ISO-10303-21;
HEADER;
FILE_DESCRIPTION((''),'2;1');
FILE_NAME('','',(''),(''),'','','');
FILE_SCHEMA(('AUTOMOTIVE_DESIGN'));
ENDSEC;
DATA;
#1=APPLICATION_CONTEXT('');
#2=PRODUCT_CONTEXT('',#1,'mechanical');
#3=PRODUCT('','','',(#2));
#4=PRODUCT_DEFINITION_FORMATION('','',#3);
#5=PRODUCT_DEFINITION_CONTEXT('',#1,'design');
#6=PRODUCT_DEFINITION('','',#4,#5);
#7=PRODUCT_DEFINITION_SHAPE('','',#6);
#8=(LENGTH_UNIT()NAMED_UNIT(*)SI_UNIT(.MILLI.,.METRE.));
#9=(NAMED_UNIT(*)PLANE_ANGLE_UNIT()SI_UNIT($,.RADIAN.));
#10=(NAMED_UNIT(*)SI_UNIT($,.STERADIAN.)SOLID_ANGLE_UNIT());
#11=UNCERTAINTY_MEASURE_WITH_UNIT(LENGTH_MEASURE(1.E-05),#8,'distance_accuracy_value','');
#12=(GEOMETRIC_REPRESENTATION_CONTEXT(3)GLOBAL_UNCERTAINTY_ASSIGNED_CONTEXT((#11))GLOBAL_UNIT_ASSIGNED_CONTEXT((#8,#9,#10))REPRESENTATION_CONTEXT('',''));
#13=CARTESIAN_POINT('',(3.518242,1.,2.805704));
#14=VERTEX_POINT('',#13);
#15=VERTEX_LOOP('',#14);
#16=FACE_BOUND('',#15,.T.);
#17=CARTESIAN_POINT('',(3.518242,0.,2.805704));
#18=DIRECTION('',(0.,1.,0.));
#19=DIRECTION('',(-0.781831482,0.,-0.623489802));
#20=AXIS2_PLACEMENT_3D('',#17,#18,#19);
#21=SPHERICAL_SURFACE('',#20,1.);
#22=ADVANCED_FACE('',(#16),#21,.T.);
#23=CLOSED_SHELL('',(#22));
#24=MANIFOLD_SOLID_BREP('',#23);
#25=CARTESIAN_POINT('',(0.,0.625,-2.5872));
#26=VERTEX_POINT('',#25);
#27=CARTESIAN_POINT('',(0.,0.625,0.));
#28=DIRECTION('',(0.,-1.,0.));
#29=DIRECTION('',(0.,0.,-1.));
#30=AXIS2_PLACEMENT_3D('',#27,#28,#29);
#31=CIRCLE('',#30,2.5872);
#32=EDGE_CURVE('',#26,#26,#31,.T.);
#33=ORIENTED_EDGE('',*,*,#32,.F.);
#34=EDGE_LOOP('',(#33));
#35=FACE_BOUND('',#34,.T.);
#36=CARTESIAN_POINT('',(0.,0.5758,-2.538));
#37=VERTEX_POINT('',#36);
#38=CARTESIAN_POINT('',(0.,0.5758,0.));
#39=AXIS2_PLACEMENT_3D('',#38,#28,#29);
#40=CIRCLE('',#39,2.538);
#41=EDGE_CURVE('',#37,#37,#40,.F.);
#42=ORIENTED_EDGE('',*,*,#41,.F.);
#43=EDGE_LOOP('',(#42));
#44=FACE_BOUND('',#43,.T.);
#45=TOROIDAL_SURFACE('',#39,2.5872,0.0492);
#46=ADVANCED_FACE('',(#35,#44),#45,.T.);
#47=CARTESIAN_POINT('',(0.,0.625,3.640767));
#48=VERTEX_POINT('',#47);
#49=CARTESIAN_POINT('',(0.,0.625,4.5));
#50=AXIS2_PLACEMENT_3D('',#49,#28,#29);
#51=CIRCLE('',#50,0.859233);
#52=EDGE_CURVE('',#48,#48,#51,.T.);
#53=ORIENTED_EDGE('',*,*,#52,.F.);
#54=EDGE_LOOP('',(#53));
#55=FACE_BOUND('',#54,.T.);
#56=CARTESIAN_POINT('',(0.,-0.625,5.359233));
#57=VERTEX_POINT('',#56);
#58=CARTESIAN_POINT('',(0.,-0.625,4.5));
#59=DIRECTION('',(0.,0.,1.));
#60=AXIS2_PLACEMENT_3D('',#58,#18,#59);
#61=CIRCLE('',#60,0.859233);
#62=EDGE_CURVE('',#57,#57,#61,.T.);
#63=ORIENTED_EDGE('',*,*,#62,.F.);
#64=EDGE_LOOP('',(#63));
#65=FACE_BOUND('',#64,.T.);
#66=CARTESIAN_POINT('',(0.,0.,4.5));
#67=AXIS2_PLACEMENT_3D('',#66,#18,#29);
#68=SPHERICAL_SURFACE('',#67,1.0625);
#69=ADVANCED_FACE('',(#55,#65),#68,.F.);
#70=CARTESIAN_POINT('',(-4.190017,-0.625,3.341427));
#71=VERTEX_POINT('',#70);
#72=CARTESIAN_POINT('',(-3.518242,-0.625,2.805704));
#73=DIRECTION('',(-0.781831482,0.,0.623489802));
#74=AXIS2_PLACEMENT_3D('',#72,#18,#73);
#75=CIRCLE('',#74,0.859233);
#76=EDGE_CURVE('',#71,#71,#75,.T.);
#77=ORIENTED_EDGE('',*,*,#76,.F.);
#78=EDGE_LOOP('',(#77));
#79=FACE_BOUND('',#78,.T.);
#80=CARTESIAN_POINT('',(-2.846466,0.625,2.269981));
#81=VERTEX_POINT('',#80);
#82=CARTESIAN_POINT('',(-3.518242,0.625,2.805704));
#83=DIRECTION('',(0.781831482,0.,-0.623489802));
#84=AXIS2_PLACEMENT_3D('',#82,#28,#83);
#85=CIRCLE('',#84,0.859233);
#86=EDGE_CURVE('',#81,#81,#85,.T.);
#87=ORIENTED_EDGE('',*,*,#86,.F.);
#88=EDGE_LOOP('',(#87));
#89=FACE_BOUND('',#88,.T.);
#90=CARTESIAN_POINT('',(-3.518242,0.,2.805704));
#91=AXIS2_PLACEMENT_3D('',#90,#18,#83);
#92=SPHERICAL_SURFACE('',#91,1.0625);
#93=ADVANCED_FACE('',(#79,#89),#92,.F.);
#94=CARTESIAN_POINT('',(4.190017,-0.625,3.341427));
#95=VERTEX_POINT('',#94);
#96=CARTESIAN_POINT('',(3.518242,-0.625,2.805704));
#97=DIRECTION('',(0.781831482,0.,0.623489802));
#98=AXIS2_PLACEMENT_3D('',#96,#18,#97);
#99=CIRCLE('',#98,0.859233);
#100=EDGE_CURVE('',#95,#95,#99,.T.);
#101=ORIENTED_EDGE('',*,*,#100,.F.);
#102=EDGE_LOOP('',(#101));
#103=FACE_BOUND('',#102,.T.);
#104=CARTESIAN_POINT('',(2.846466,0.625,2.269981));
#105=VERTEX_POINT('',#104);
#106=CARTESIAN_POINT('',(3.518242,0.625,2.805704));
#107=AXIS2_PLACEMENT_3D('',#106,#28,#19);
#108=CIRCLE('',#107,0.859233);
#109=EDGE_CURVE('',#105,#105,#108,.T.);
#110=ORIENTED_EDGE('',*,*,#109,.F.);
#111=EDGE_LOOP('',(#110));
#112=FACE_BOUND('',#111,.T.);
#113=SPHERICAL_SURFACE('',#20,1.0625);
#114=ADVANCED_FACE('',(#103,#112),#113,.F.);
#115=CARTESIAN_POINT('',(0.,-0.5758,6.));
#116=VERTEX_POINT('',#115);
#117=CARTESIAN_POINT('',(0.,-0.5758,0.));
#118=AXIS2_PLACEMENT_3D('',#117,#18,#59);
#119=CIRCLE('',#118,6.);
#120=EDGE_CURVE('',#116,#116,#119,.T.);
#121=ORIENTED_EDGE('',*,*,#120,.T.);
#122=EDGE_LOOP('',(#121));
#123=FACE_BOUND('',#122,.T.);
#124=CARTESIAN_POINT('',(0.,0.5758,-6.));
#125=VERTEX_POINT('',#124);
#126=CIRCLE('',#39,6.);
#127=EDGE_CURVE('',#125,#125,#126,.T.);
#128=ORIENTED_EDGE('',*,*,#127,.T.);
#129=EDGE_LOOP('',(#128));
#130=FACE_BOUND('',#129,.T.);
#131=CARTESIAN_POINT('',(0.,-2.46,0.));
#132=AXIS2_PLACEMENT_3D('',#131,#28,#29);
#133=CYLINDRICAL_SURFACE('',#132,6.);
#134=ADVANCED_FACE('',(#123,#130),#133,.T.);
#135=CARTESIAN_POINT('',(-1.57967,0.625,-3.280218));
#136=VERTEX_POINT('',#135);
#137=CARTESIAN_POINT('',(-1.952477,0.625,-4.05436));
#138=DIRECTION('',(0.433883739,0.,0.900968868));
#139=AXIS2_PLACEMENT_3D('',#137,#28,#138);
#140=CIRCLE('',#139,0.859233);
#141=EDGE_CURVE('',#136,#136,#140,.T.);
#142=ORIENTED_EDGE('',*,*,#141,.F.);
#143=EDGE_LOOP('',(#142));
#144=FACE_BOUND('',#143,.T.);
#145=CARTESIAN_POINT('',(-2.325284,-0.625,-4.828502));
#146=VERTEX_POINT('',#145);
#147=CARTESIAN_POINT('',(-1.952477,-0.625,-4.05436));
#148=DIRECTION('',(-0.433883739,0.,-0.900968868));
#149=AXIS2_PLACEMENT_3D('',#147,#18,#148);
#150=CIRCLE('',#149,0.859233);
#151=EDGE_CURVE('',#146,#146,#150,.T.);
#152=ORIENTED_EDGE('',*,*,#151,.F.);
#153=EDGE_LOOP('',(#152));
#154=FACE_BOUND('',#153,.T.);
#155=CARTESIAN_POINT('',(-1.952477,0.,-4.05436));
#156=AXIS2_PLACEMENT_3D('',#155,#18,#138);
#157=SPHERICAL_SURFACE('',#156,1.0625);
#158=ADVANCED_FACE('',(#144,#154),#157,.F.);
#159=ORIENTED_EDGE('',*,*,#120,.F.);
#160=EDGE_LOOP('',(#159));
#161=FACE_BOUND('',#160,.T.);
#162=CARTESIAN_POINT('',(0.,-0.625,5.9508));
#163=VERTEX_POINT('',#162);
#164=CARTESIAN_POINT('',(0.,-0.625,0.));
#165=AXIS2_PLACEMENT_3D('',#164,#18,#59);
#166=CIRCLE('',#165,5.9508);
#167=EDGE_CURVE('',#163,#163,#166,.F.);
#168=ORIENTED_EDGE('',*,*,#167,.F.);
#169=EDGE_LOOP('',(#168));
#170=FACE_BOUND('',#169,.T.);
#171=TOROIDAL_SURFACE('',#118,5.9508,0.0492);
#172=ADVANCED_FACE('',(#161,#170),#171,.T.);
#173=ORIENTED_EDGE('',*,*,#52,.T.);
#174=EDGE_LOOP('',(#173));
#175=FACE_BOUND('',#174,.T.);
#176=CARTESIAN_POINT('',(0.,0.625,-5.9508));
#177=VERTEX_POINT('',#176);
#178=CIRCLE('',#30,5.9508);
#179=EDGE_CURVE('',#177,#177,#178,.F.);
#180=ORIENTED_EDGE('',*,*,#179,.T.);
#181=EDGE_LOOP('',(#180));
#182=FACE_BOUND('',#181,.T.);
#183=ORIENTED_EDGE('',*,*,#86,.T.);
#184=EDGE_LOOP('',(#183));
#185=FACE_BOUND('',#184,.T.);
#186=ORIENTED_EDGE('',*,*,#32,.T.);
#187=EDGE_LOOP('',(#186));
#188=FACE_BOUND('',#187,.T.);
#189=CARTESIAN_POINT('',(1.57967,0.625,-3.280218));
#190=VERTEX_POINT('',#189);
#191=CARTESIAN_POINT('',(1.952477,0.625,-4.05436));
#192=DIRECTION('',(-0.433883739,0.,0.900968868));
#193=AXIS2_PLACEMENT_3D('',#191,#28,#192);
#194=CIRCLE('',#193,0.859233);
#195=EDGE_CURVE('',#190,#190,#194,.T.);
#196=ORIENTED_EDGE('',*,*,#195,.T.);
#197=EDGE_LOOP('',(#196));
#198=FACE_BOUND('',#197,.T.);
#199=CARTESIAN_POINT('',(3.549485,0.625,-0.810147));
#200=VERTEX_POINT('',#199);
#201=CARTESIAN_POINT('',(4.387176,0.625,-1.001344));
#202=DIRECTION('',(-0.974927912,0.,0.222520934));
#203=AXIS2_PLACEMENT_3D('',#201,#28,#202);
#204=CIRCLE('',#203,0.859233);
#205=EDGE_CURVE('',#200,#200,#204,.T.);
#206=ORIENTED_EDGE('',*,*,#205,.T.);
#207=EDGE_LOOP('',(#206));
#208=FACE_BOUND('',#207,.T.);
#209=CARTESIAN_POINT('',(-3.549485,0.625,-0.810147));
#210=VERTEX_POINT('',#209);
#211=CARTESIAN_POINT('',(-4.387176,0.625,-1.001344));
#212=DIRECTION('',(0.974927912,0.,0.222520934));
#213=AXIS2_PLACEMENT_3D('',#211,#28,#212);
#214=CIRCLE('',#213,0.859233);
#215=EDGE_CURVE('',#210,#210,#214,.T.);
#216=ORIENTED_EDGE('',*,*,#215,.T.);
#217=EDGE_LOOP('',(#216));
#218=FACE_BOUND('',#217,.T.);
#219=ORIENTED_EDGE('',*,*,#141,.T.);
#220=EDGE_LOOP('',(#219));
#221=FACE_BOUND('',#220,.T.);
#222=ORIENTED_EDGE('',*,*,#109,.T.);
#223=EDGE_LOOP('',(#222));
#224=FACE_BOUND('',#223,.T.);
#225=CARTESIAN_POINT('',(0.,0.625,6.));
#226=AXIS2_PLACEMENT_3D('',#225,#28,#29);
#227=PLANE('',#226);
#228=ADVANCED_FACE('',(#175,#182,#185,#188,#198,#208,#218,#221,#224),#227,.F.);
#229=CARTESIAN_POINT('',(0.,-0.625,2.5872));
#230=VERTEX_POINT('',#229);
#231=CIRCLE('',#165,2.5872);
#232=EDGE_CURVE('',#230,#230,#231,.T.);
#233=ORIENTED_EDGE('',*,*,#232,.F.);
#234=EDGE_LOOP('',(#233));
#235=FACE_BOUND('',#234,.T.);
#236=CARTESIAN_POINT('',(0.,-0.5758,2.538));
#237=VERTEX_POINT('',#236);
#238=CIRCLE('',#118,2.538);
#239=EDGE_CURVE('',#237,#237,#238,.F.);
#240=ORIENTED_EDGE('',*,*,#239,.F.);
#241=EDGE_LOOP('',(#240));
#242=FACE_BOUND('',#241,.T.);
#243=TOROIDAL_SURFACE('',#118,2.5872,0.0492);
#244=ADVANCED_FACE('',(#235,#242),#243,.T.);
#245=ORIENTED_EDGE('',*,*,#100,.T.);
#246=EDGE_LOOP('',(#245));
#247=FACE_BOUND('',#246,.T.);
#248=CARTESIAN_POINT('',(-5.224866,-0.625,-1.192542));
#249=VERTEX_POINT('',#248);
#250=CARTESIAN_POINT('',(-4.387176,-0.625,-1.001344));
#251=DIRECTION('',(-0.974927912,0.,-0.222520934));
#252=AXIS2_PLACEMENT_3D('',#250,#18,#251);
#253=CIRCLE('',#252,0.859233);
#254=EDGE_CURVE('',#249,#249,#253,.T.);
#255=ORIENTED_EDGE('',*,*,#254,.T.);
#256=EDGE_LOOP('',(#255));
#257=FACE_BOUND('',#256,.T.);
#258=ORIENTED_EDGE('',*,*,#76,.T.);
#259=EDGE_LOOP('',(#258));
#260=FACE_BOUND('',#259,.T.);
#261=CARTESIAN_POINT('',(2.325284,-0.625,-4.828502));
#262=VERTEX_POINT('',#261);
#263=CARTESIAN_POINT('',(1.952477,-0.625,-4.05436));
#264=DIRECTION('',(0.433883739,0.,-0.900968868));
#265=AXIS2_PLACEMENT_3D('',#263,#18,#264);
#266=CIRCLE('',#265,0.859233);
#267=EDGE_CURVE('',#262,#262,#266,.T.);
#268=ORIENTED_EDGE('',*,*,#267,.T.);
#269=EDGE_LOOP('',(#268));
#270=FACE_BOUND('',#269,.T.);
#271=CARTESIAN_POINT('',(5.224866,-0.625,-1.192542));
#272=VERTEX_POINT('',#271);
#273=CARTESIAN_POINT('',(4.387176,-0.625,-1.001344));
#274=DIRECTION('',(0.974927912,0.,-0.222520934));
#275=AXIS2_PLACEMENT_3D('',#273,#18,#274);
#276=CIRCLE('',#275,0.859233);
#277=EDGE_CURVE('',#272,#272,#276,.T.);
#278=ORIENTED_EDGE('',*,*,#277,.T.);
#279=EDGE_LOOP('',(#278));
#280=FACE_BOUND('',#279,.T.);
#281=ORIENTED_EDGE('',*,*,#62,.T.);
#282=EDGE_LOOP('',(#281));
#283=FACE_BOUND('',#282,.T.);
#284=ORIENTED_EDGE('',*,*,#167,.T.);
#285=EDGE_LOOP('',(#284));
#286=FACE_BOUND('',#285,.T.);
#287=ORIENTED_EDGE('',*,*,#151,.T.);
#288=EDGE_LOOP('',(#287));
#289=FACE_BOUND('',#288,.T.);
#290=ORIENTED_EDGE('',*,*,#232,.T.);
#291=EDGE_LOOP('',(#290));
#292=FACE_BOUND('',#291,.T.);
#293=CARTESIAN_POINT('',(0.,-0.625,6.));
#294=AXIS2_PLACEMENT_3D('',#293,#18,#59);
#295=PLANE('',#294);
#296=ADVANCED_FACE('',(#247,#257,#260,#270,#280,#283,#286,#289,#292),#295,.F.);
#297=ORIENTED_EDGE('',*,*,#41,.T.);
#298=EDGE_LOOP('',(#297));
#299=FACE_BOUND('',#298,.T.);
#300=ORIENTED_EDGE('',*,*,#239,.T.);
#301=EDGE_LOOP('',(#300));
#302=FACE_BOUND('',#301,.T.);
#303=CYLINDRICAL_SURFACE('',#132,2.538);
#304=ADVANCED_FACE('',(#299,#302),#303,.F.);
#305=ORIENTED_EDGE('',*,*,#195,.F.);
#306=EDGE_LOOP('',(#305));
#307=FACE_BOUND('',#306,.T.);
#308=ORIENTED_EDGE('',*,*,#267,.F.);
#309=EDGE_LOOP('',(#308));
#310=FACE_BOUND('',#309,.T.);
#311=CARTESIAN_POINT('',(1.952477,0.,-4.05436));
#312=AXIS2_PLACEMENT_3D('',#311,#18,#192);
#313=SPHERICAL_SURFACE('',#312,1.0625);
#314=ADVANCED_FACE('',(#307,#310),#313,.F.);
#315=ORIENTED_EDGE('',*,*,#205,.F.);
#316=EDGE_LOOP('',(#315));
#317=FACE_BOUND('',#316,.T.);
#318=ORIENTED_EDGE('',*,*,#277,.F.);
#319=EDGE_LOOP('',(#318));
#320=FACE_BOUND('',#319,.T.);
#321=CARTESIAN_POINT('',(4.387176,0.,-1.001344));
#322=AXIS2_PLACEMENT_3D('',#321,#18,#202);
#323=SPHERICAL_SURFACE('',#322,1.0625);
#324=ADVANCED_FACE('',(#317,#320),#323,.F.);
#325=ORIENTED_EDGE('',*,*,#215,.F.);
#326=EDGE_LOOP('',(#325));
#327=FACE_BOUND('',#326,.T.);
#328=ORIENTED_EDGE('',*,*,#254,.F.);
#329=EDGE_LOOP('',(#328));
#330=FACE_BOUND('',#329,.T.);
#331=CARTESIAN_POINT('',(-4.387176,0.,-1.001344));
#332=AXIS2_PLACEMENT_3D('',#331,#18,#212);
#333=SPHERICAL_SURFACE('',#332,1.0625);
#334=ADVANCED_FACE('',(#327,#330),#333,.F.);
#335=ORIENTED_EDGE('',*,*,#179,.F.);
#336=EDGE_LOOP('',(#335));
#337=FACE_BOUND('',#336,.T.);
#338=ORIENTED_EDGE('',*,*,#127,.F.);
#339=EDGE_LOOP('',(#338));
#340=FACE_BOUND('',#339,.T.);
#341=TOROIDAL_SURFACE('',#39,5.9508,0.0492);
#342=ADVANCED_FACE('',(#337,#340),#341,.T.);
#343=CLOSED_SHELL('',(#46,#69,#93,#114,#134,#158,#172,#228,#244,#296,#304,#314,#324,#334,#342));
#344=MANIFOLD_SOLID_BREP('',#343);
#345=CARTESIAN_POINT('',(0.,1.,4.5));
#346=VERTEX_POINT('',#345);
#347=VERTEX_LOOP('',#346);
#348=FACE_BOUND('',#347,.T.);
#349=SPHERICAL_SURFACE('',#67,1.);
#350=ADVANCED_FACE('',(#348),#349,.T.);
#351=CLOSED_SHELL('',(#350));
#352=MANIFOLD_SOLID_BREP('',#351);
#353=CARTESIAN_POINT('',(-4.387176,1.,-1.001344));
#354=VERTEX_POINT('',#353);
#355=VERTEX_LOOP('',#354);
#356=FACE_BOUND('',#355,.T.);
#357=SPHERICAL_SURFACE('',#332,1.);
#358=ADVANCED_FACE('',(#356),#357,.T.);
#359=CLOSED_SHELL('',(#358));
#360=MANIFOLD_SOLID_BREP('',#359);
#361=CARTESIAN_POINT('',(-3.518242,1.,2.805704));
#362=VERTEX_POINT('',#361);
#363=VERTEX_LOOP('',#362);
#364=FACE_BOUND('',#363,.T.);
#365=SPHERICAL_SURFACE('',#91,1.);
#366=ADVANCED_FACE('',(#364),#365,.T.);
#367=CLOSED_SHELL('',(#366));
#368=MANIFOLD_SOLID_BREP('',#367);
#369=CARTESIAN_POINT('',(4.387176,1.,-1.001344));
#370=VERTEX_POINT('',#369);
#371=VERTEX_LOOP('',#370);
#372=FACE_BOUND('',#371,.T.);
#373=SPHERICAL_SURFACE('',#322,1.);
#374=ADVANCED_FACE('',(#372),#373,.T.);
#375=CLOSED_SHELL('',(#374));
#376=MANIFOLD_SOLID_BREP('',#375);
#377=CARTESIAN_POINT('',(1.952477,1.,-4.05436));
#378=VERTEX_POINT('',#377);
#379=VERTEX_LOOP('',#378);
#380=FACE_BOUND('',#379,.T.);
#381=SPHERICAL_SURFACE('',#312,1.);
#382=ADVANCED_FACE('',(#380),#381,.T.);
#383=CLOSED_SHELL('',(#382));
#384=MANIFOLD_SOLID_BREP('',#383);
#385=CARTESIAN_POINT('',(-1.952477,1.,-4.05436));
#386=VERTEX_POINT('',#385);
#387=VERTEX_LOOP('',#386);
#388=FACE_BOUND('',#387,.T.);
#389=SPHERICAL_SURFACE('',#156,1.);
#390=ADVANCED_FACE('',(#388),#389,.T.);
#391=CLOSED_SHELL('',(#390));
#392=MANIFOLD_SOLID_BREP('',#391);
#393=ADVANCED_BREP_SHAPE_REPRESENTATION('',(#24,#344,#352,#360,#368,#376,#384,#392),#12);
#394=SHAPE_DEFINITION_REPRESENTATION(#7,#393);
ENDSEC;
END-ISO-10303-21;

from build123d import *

# Parameters (mm, degrees)
SKETCH1_W         = 3.462
SKETCH1_H         = 1.25
CIRPATTERN1_COUNT = 7
CIRPATTERN1_ANGLE = 308.571428571
CIRPATTERN2_COUNT = 7
SKETCH4_W         = 3.462
SKETCH4_H         = 1.46
FILLET1_R         = 0.0492
FILLET2_R         = 0.0492
FILLET3_R         = 0.0492


with BuildPart() as part:
    # Sketch1 → Revolve1 (revolve)
    with BuildSketch(Plane(origin=(0, 0, 0), x_dir=(0, 0, -1), z_dir=(1, 0, 0))):
        with Locations((-4.269, 0)):
            Rectangle(SKETCH1_W, SKETCH1_H)
    revolve(axis=Axis((0, -2.46, 0), (0, 1, 0)))

    # Sketch3 → Cut-Revolve1 (revolve, cut)
    with BuildSketch(Plane(origin=(0, 0, 0), x_dir=(0, 0, -1), z_dir=(1, 0, 0))):
        with BuildLine():
            Line((-4.5, 1.0625), (-4.5, -1.0625))
            ThreePointArc((-4.5, -1.0625), (-5.5625, 0), (-4.5, 1.0625))
        make_face()
    cut_revolve1 = revolve(axis=Axis((0, 1.0625, 4.5), (0, -1, 0)), mode=Mode.SUBTRACT)

    # CirPattern2: Cut-Revolve1 ×7 about axis
    cirpattern2_axis = Axis((0, 0, 0), (0, 1, 0))
    for i in range(1, CIRPATTERN2_COUNT):
        add(cut_revolve1.rotate(cirpattern2_axis, i * 360 / CIRPATTERN2_COUNT), mode=Mode.SUBTRACT)

    # Fillet2
    fillet2_edges = [part.edges().sort_by_distance(p)[0] for p in [
        (0, 0.625, -6),
        (0, 0.625, -2.538),
        (0, -0.625, -2.538),
        (0, -0.625, -6),
    ]]
    fillet(fillet2_edges, radius=FILLET2_R)


with BuildPart() as body_2:
    # Sketch2 → Revolve2 (revolve)
    with BuildSketch(Plane(origin=(0, 0, 0), x_dir=(0, 0, -1), z_dir=(1, 0, 0))):
        with BuildLine():
            Line((-4.5, 1), (-4.5, -1))
            ThreePointArc((-4.5, -1), (-5.5, 0), (-4.5, 1))
        make_face()
    revolve(axis=Axis((0, 1, 4.5), (0, -1, 0)))


with BuildPart() as cirpattern1_1:
    # CirPattern1: pattern copy
    add(body_2.part.rotate(Axis((0, 2.46, 0), (0, -1, 0)), 1 * CIRPATTERN1_ANGLE / (CIRPATTERN1_COUNT - 1)))


with BuildPart() as cirpattern1_2:
    # CirPattern1: pattern copy
    add(body_2.part.rotate(Axis((0, 2.46, 0), (0, -1, 0)), 2 * CIRPATTERN1_ANGLE / (CIRPATTERN1_COUNT - 1)))


with BuildPart() as cirpattern1_3:
    # CirPattern1: pattern copy
    add(body_2.part.rotate(Axis((0, 2.46, 0), (0, -1, 0)), 3 * CIRPATTERN1_ANGLE / (CIRPATTERN1_COUNT - 1)))


with BuildPart() as cirpattern1_4:
    # CirPattern1: pattern copy
    add(body_2.part.rotate(Axis((0, 2.46, 0), (0, -1, 0)), 4 * CIRPATTERN1_ANGLE / (CIRPATTERN1_COUNT - 1)))


with BuildPart() as cirpattern1_5:
    # CirPattern1: pattern copy
    add(body_2.part.rotate(Axis((0, 2.46, 0), (0, -1, 0)), 5 * CIRPATTERN1_ANGLE / (CIRPATTERN1_COUNT - 1)))


with BuildPart() as cirpattern1_6:
    # CirPattern1: pattern copy
    add(body_2.part.rotate(Axis((0, 2.46, 0), (0, -1, 0)), 6 * CIRPATTERN1_ANGLE / (CIRPATTERN1_COUNT - 1)))


with BuildPart() as body_9:
    # Sketch4 → Revolve3 (revolve)
    with BuildSketch(Plane(origin=(0, 0, 0), x_dir=(0, 0, -1), z_dir=(1, 0, 0))):
        with Locations((-4.269, 1.73)):
            Rectangle(SKETCH4_W, SKETCH4_H)
        with Locations((-4.269, -1.73)):
            Rectangle(SKETCH4_W, SKETCH4_H)
    revolve(axis=Axis((0, -2.46, 0), (0, 1, 0)))

    # Fillet1
    fillet1_edges = [body_9.edges().sort_by_distance(p)[0] for p in [
        (0, 1, -6),
        (0, 1, -2.538),
        (0, 2.46, -2.538),
        (0, 2.46, -6),
    ]]
    fillet(fillet1_edges, radius=FILLET1_R)

    # Fillet3
    fillet3_edges = [body_9.edges().sort_by_distance(p)[0] for p in [
        (0, -2.46, -6),
        (0, -2.46, -2.538),
        (0, -1, -2.538),
        (0, -1, -6),
    ]]
    fillet(fillet3_edges, radius=FILLET3_R)


solid = Compound([part.part, body_2.part, cirpattern1_1.part, cirpattern1_2.part, cirpattern1_3.part, cirpattern1_4.part, cirpattern1_5.part, cirpattern1_6.part])
